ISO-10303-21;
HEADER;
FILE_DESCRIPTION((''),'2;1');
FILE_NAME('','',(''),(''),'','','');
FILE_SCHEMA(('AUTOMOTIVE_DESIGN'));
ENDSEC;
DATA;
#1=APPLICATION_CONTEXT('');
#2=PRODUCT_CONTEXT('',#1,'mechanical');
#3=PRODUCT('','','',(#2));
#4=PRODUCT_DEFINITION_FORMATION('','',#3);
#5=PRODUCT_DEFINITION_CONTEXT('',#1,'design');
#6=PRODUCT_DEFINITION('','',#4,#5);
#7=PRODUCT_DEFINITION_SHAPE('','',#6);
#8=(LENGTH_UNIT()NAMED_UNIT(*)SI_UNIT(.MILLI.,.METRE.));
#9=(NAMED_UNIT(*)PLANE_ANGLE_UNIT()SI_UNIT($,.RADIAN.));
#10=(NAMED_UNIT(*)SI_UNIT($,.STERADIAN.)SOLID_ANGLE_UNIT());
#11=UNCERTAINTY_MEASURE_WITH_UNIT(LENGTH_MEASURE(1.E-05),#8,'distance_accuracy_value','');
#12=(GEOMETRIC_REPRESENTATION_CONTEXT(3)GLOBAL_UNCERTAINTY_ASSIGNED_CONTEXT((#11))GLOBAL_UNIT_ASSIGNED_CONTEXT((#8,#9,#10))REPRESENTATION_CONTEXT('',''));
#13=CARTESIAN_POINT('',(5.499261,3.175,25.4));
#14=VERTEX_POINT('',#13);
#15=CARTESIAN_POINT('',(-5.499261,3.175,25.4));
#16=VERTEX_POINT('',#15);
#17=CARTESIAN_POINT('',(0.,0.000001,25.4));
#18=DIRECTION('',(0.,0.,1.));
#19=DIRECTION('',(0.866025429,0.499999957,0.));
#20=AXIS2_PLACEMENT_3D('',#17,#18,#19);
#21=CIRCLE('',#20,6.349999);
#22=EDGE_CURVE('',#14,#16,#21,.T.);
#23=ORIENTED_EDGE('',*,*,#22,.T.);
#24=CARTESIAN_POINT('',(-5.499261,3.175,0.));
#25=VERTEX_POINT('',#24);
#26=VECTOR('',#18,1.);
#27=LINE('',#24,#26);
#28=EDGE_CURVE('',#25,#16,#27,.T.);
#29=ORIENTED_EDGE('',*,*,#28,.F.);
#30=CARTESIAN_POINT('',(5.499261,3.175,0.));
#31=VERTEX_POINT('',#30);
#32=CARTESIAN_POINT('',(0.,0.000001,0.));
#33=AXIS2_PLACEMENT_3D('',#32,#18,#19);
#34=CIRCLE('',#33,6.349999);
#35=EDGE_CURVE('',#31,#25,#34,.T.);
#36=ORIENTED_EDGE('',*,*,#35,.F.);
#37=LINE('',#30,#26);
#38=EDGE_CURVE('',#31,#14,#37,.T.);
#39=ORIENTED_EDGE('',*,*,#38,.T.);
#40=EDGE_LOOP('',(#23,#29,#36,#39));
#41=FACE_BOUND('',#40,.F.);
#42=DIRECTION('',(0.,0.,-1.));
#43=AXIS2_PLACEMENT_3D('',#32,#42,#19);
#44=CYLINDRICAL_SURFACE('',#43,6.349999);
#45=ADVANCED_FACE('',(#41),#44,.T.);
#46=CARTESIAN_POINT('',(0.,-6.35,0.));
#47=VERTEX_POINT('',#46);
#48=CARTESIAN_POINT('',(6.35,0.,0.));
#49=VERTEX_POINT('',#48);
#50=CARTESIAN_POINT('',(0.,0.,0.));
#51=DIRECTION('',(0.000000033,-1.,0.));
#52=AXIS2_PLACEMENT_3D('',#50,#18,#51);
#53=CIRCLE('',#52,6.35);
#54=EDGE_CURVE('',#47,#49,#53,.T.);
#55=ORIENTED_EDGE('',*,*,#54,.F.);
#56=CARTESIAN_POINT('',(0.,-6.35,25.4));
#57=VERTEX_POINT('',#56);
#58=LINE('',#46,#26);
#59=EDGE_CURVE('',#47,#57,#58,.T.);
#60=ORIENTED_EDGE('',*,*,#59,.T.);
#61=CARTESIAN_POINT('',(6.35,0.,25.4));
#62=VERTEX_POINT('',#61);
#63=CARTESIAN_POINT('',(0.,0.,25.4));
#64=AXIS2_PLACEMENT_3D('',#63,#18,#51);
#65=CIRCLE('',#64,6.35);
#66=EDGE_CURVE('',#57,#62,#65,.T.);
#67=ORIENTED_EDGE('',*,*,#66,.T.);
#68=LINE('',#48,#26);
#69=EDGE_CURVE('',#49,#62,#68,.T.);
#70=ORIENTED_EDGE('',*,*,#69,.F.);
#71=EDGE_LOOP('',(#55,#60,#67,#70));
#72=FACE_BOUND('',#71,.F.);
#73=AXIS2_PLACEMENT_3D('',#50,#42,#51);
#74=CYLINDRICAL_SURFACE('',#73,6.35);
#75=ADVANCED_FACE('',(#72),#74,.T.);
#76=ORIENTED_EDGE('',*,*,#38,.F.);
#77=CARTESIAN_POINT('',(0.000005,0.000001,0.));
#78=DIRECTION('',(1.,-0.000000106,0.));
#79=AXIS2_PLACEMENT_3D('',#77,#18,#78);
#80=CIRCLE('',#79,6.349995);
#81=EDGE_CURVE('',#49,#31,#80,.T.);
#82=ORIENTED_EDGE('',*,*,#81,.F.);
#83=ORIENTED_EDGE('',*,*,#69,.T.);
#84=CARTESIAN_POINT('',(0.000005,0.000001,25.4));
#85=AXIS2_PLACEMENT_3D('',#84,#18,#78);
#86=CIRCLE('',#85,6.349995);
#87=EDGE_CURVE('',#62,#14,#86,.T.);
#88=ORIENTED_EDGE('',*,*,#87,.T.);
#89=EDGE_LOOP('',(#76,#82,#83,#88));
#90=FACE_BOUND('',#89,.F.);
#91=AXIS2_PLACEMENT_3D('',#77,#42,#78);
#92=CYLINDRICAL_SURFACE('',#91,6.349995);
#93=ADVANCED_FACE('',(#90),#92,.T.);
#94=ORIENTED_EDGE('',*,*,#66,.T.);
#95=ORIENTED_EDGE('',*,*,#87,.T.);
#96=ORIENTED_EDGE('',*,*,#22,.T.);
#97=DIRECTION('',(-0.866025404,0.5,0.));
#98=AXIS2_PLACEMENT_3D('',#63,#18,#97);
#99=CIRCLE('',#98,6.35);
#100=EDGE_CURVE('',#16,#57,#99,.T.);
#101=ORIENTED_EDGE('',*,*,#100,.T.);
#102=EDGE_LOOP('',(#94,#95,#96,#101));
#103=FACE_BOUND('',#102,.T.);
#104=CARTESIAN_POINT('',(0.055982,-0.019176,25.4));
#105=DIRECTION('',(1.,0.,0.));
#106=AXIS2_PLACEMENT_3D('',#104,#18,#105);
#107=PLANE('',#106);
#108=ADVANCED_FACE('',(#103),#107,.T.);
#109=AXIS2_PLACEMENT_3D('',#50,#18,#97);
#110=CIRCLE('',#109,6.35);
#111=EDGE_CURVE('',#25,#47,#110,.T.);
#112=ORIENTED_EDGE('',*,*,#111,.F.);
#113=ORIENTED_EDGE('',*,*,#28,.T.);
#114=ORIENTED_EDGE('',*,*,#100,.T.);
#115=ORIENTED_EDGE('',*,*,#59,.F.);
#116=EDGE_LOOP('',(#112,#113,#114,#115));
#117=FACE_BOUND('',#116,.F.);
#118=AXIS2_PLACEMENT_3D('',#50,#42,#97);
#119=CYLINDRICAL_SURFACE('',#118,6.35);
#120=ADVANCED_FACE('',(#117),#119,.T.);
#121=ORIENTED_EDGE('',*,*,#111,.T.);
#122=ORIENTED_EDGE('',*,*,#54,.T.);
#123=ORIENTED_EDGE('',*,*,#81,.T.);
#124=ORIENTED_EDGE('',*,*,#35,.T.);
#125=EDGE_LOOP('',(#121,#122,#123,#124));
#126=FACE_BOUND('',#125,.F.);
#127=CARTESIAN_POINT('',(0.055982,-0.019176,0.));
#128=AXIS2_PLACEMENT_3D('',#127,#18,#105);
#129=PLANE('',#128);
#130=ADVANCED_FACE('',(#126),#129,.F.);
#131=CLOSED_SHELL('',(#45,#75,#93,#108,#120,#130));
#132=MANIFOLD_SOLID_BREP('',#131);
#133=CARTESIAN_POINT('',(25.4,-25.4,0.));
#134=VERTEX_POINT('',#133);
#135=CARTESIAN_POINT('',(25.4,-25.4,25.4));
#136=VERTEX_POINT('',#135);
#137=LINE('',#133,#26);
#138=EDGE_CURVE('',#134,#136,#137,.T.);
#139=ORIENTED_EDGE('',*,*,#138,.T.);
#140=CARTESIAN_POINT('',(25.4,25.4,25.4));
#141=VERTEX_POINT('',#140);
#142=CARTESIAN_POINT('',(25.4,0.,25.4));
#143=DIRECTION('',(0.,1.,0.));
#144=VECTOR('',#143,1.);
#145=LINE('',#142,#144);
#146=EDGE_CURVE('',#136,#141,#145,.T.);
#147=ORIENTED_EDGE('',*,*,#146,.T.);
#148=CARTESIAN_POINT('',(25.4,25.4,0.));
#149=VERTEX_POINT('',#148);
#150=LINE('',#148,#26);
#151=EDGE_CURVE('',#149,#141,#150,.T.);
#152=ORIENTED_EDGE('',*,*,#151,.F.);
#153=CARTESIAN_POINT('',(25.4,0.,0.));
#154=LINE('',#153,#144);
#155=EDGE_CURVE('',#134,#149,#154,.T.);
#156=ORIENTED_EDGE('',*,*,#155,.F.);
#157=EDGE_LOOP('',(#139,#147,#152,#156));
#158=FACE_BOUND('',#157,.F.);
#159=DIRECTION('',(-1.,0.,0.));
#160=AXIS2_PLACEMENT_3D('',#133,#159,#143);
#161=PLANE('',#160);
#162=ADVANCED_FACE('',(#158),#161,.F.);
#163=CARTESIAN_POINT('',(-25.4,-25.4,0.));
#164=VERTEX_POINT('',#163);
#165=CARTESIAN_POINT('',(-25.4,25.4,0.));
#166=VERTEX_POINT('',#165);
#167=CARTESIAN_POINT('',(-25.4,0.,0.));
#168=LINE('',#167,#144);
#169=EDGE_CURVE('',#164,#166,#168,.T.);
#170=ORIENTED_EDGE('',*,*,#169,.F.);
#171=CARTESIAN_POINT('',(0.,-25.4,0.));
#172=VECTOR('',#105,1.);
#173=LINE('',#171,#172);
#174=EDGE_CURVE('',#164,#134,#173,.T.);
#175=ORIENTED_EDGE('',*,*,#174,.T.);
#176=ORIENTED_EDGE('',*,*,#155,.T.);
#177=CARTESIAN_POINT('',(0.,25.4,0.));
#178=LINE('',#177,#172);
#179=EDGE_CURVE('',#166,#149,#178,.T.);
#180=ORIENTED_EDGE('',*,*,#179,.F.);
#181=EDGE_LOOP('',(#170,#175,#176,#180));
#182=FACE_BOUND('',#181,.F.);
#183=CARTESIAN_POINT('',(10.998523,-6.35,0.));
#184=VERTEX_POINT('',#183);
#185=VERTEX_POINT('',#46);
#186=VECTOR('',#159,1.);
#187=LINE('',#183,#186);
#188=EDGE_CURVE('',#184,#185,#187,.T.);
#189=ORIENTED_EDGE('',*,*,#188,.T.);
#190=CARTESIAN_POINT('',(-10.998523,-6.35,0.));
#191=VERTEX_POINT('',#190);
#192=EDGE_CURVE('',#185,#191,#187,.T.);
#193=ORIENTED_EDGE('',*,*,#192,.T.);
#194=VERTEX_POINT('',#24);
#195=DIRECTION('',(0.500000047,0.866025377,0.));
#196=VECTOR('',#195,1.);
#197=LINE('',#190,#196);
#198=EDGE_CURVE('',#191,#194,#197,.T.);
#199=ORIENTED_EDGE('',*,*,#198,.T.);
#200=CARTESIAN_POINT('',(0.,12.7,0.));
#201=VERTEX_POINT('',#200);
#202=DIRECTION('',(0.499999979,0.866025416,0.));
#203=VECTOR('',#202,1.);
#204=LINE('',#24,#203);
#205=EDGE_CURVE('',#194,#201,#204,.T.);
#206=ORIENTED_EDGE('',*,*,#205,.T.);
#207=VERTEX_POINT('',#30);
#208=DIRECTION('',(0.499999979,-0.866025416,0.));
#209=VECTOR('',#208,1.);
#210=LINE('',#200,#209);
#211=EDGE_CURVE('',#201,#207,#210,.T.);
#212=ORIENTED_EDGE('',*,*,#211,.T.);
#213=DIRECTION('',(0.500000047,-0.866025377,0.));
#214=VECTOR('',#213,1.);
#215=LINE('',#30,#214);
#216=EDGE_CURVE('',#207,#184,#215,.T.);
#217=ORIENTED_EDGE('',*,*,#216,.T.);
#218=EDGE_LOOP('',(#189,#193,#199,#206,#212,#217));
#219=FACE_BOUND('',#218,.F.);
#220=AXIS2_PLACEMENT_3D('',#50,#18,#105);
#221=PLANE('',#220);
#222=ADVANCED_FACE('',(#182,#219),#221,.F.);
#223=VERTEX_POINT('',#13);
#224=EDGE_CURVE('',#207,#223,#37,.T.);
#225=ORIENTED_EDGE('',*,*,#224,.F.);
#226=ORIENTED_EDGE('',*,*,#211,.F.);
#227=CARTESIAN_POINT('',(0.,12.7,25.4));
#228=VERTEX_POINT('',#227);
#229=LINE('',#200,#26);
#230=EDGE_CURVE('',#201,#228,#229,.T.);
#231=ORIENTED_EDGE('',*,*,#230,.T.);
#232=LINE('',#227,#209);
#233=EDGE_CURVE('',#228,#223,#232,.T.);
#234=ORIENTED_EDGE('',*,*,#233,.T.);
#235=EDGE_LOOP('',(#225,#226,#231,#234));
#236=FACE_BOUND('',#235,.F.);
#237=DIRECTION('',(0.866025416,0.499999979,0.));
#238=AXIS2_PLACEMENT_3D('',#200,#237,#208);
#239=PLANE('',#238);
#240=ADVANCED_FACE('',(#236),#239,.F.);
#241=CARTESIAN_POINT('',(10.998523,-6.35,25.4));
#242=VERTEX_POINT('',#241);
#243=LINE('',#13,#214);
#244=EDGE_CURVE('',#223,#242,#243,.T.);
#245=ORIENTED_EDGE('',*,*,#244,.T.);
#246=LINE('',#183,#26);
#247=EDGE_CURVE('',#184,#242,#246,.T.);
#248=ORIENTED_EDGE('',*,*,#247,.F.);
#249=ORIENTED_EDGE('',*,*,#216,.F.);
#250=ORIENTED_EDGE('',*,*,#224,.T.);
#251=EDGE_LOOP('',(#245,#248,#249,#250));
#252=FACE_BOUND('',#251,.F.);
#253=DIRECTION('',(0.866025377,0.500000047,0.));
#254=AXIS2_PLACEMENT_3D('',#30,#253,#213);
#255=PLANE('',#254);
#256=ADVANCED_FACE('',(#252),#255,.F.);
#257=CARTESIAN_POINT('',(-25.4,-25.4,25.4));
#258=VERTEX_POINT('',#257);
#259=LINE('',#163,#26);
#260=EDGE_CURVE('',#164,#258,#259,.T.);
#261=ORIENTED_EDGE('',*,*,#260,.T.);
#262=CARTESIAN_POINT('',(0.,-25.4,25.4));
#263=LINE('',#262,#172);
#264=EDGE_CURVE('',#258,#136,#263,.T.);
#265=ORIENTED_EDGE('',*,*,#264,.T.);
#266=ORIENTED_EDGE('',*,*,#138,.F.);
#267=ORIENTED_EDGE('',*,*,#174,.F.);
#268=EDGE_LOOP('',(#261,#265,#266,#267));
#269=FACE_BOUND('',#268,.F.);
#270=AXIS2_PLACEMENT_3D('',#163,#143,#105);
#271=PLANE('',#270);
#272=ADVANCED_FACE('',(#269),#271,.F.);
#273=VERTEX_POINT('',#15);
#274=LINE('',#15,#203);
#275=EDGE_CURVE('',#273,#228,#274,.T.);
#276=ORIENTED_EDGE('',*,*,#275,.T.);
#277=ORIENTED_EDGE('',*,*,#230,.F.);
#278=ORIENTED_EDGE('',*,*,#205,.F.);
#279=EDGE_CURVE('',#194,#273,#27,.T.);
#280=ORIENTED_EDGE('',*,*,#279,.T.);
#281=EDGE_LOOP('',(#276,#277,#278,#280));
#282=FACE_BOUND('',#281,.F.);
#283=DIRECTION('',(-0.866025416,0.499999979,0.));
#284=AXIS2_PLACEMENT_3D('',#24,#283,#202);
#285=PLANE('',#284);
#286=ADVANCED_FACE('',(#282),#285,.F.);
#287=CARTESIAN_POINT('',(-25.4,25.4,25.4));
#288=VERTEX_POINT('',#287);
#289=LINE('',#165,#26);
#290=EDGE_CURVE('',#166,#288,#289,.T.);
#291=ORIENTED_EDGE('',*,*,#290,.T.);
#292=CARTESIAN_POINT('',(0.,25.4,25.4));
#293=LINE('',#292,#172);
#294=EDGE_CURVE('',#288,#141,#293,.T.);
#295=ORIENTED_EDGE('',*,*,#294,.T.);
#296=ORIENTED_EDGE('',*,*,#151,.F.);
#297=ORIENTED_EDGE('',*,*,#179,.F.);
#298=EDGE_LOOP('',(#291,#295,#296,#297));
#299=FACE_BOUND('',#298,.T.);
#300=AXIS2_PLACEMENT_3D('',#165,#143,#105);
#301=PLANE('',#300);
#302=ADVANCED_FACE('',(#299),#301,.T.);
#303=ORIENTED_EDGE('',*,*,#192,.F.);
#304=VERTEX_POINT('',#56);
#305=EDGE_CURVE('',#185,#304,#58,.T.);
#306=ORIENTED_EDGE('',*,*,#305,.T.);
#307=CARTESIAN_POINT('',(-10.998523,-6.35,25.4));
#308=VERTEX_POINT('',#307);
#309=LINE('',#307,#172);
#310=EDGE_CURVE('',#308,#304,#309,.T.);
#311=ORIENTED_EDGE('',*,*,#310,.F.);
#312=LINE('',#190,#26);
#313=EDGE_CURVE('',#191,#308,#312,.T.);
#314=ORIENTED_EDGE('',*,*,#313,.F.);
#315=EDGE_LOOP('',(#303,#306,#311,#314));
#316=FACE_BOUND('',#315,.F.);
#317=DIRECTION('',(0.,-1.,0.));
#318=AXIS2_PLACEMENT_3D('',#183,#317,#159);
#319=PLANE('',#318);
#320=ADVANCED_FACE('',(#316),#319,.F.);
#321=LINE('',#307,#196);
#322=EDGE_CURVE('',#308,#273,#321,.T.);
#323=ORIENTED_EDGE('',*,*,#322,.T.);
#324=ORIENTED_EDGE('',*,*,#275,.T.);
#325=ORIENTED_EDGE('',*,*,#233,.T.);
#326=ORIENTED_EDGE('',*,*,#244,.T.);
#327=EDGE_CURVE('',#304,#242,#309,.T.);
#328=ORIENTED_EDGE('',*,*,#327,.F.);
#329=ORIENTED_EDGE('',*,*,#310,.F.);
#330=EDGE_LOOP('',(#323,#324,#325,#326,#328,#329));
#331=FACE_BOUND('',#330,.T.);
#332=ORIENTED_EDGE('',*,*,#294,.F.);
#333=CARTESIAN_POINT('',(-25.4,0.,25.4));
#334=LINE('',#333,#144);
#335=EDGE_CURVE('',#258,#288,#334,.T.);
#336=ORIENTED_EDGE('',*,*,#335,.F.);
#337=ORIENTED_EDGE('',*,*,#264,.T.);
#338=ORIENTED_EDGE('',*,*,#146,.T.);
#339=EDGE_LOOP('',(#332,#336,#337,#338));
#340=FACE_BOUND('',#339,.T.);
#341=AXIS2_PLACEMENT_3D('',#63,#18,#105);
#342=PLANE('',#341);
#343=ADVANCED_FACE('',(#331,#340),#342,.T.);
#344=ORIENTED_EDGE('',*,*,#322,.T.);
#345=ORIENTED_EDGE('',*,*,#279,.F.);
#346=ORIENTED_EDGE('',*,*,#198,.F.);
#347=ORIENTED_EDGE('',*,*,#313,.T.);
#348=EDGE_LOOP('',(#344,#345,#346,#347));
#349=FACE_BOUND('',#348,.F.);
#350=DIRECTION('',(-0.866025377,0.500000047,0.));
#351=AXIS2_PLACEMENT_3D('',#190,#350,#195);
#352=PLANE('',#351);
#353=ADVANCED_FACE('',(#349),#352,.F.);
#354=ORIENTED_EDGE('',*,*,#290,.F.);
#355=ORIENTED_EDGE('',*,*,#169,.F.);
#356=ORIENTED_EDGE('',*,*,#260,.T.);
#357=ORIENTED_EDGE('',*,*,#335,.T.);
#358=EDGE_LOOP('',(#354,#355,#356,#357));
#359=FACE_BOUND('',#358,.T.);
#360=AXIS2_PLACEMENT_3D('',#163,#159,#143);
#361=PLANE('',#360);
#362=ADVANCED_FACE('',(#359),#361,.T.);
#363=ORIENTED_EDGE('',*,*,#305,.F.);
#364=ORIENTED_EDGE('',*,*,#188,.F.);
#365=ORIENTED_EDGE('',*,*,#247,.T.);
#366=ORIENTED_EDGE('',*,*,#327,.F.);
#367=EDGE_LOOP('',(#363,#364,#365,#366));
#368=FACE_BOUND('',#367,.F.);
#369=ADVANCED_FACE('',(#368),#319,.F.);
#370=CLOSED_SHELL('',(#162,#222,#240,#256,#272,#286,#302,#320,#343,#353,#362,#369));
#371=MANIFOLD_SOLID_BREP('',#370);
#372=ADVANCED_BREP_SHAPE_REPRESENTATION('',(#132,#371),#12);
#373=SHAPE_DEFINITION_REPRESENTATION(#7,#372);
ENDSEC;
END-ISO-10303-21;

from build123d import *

# Parameters (mm, degrees)
F0_W     = 50.8
F0_H     = 50.8
F1_DEPTH = 25.4


with BuildPart() as f1:
    # F0 (on Top) → F1 (new body)
    with BuildSketch(Plane.XY):
        Rectangle(F0_W, F0_H)
        Polygon((0, 12.7), (5.499261, 3.175), (10.998523, -6.35), (0, -6.35), (-10.998523, -6.35), (-5.499261, 3.175), align=None, mode=Mode.SUBTRACT)
        with BuildLine():
            ThreePointArc((0, -6.35), (4.490128, -4.490128), (6.35, 0))
            ThreePointArc((6.35, 0), (6.133629, 1.643501), (5.499261, 3.175))
            ThreePointArc((5.499261, 3.175), (0, 6.35), (-5.499261, 3.175))
            ThreePointArc((-5.499261, 3.175), (-5.499261, -3.175), (0, -6.35))
        make_face()
    extrude(amount=F1_DEPTH)


solid = f1.part
